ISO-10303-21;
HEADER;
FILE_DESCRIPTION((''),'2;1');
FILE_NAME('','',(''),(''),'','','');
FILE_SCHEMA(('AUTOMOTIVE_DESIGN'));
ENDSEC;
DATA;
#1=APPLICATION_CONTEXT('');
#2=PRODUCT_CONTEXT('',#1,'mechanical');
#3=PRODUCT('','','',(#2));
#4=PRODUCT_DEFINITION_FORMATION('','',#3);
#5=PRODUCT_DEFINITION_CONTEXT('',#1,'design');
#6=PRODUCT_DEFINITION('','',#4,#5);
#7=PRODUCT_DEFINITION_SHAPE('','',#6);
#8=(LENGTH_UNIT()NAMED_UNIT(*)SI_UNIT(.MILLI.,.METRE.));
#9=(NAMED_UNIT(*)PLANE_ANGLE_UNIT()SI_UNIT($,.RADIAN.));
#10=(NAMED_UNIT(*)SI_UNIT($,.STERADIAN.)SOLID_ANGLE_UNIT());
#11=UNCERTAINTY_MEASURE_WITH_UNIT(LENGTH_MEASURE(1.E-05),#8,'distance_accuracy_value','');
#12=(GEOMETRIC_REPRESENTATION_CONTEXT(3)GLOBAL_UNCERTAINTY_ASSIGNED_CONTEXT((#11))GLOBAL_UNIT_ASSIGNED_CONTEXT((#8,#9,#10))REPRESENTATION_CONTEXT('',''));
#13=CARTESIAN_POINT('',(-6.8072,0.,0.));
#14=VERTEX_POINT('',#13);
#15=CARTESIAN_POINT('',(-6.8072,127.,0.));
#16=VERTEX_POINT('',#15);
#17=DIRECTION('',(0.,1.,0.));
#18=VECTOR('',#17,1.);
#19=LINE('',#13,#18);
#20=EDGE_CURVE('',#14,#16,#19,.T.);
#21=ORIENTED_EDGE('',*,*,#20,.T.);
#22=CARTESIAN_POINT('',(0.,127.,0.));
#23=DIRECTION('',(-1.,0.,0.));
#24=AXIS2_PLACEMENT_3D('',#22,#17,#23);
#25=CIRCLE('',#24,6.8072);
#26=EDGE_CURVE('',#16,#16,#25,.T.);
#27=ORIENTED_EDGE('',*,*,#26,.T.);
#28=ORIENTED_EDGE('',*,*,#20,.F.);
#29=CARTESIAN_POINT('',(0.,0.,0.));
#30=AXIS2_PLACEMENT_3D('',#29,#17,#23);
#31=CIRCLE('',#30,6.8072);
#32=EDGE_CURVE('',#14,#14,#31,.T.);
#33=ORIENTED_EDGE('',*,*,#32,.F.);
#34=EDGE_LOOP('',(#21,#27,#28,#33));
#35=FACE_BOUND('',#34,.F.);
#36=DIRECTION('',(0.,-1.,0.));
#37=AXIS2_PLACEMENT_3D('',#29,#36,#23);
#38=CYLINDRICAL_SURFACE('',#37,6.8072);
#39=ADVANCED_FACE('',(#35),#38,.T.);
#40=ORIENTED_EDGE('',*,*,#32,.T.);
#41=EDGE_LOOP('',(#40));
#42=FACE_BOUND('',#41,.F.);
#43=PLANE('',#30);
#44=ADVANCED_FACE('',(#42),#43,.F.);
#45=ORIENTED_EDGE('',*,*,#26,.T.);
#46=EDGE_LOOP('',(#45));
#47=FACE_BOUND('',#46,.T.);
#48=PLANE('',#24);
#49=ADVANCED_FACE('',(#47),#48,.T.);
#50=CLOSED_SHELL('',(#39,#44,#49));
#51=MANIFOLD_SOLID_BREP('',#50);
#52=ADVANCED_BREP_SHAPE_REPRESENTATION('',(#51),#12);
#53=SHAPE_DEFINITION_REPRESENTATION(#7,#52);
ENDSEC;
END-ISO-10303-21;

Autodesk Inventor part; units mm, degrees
ref_plane "YZ Plane" through (0, 0, 0) normal (1, 0, 0) x (0, 1, 0)
ref_plane "XZ Plane" through (0, 0, 0) normal (0, 1, 0) x (-1, 0, 0)
ref_plane "XY Plane" through (0, 0, 0) normal (0, 0, 1) x (1, 0, 0)
sketch "Sketch1" plane through (0, 0, 0) normal (0, 1, 0) x (-1, 0, 0)
  circle A0 centre (0, 0) radius 6.8072
  dimension "d0" = 13.6144
extrude "Extrusion1" add sketch "Sketch1" along normal blind 127
properties part number "NutDriverShaft"
